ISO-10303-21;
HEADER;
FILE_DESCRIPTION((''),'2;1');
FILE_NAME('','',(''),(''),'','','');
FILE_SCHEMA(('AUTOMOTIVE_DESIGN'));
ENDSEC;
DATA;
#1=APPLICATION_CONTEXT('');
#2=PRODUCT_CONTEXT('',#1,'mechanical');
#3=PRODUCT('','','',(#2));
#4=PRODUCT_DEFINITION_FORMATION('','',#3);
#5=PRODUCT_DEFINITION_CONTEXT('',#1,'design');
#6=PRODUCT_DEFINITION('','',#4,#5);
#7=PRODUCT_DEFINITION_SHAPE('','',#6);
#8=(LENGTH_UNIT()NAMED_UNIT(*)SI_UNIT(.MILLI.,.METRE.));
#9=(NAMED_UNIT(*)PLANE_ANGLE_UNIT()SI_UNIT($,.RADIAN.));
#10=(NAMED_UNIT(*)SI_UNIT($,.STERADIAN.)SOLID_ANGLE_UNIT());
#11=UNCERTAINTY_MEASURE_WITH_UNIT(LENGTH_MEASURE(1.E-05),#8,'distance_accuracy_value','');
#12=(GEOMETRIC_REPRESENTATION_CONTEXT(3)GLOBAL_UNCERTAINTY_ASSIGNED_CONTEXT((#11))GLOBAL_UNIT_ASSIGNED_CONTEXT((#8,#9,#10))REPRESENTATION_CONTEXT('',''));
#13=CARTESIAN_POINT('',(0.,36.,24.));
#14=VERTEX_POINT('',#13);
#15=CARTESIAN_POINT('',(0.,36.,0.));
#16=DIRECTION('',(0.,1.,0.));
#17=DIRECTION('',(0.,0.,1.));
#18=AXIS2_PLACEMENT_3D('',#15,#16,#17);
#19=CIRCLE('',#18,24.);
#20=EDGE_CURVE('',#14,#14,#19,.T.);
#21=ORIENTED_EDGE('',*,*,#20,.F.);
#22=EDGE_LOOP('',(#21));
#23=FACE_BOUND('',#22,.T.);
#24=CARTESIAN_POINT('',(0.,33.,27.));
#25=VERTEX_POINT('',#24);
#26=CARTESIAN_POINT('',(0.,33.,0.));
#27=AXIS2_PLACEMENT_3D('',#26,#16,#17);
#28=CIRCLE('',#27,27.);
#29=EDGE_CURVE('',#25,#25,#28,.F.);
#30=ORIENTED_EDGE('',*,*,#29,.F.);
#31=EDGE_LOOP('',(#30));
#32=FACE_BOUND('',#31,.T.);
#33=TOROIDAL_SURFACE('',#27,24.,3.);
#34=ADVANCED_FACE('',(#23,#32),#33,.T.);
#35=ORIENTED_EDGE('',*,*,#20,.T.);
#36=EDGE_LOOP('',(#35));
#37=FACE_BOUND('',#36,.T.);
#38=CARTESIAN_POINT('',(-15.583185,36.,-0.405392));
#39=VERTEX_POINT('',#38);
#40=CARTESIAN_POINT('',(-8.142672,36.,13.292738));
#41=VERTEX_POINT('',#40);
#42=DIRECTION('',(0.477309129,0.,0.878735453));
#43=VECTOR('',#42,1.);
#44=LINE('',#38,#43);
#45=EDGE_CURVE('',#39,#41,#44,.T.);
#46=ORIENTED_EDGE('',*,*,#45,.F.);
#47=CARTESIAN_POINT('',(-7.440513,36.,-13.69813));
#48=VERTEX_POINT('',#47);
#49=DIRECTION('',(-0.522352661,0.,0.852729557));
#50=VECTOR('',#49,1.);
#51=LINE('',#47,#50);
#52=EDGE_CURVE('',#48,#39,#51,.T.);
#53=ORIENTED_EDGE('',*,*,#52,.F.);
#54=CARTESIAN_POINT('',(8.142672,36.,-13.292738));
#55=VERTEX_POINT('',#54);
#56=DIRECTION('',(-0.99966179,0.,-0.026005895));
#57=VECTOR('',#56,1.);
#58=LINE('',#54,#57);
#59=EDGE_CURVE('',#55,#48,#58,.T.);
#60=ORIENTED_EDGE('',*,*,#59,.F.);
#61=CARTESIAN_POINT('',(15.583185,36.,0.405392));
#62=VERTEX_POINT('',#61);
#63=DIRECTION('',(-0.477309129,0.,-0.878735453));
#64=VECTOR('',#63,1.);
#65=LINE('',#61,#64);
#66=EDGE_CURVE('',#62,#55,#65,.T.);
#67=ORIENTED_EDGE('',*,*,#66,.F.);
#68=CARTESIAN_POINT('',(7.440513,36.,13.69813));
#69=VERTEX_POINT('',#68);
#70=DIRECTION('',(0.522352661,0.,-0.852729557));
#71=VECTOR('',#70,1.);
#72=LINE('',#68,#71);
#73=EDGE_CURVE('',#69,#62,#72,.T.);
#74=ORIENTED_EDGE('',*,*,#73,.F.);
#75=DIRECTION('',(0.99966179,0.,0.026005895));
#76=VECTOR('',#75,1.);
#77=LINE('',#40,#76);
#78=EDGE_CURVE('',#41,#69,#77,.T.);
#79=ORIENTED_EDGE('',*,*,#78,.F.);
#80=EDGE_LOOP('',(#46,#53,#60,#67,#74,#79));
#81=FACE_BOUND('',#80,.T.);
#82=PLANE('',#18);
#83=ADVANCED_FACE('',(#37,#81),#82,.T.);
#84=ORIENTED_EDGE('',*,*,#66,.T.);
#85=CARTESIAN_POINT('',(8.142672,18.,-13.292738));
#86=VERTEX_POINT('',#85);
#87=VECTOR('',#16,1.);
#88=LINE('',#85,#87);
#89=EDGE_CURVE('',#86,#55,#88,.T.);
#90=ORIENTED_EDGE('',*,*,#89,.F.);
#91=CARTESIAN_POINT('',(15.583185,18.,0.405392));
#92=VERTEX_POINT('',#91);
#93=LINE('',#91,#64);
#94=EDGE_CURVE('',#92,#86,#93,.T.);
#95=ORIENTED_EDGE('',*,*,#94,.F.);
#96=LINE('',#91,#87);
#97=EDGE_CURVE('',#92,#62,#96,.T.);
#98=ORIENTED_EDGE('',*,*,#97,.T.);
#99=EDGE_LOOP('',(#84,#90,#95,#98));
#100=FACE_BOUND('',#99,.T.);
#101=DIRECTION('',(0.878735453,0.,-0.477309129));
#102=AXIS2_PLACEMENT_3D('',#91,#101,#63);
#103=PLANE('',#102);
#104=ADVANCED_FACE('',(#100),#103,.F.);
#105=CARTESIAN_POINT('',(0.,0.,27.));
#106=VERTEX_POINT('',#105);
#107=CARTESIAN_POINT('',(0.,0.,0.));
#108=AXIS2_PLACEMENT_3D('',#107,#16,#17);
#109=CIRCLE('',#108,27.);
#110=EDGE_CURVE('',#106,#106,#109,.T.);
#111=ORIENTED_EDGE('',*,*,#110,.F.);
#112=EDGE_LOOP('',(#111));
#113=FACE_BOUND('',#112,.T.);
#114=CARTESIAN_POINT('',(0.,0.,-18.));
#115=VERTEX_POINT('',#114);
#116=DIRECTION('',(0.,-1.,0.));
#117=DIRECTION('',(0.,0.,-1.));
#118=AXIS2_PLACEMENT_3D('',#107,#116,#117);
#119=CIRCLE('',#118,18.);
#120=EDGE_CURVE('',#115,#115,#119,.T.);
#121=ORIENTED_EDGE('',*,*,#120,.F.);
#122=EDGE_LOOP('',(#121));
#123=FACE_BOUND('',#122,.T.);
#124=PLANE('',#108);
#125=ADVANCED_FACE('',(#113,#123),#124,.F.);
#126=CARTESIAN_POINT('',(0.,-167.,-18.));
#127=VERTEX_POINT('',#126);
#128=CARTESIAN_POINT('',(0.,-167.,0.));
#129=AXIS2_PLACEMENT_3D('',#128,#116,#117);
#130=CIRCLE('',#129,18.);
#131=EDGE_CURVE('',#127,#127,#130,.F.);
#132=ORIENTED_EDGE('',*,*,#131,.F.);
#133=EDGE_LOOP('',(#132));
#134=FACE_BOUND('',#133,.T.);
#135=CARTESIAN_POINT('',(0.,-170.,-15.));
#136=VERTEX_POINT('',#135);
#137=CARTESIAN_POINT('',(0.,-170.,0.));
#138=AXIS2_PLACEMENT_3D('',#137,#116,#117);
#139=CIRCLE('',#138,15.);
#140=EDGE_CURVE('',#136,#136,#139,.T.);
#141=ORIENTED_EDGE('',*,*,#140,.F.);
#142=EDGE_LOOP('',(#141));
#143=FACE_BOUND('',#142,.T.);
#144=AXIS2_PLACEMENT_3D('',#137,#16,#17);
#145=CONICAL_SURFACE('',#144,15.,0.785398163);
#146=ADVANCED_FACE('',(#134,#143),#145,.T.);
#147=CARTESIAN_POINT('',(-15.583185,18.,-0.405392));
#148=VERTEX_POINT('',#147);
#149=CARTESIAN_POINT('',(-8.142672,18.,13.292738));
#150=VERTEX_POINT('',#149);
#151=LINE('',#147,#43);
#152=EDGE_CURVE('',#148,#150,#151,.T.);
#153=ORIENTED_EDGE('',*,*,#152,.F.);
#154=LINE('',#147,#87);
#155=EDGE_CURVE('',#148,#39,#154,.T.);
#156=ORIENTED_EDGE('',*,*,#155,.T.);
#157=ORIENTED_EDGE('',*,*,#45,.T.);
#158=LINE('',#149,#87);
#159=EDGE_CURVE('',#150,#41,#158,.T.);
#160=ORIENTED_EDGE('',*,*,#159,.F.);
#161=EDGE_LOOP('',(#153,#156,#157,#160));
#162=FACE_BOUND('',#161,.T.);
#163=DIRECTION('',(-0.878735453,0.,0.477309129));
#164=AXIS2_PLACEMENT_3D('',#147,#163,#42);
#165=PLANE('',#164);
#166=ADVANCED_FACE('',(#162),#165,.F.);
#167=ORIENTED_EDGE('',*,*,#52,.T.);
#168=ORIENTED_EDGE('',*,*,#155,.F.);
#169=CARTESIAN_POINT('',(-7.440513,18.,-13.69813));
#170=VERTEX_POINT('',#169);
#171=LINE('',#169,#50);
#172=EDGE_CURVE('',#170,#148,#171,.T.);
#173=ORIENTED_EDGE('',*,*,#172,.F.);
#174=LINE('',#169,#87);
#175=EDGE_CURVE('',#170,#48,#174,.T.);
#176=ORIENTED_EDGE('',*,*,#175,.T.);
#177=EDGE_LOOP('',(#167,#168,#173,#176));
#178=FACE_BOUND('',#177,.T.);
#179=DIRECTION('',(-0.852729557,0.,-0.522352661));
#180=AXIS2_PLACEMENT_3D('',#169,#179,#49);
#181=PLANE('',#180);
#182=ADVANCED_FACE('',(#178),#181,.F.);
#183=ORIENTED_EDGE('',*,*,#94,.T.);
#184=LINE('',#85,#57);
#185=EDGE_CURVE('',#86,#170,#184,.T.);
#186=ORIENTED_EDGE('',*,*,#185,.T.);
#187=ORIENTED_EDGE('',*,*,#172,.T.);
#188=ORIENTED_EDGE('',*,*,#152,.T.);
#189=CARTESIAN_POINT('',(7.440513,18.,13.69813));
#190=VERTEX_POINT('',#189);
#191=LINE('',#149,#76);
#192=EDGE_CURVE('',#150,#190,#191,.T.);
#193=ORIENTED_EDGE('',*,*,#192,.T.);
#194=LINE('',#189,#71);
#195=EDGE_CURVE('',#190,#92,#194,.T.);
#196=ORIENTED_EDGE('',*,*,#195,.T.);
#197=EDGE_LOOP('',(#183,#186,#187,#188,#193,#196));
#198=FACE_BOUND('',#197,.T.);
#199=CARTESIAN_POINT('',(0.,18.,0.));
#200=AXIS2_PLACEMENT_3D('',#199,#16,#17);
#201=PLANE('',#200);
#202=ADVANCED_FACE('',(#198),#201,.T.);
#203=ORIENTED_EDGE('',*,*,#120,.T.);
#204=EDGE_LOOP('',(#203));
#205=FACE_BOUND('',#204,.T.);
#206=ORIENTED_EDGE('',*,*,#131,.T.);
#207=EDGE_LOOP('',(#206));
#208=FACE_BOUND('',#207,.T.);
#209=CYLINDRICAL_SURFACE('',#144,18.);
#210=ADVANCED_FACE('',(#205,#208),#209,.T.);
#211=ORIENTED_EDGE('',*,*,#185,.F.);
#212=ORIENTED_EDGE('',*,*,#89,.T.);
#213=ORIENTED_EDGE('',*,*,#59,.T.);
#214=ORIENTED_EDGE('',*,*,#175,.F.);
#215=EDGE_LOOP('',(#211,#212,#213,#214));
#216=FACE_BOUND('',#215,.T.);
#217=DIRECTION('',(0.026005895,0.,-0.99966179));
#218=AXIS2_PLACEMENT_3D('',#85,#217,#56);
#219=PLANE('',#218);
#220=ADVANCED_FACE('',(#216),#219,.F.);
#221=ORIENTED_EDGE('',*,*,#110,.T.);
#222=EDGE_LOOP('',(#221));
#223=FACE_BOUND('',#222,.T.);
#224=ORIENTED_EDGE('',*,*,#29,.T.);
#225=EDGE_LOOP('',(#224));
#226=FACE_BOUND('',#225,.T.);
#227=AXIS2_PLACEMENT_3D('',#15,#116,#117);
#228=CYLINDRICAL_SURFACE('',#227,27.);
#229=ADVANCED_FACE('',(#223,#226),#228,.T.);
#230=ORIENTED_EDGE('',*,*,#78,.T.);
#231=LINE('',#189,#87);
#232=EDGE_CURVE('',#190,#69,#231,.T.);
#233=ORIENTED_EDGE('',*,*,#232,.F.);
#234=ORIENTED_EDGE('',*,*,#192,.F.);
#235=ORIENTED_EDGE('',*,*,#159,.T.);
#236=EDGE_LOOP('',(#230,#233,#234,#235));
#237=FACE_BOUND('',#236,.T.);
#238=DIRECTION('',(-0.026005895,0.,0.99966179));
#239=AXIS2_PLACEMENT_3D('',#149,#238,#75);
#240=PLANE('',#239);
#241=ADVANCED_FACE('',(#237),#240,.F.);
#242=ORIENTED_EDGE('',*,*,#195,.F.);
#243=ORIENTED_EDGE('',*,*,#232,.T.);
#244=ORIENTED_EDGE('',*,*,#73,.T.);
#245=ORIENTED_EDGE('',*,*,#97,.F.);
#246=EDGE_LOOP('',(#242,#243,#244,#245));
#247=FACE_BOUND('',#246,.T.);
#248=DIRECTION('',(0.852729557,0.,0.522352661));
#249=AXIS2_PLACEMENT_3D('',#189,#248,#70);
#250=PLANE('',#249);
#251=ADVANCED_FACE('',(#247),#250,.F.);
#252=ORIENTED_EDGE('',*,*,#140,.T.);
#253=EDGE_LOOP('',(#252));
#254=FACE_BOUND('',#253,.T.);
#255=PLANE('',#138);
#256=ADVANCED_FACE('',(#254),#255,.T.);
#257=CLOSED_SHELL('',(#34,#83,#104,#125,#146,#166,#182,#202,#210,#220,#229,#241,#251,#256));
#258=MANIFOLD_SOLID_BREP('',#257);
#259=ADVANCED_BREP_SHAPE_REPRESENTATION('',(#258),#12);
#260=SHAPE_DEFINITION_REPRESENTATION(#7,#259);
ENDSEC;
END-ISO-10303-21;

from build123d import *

# Parameters (mm, degrees)
DIAMETRE_TETE_R     = 27
HAUTEUR_TETE_DEPTH  = 36
CONGE_R             = 3
DIAMETRE_R          = 18
LONGUEUR_DEPTH      = 170
HAUTEUR_6PANS_DEPTH = 18
CHANFREIN_SIZE      = 3


with BuildPart() as part:
    # DIAMETRE_TETE → HAUTEUR_TETE (new body)
    with BuildSketch(Plane(origin=(0, 0, 0), x_dir=(1, 0, 0), z_dir=(0, 1, 0))):
        with Locations(Location((0, 0, 0), (0, 0, 270))):
            Circle(DIAMETRE_TETE_R)
    extrude(amount=HAUTEUR_TETE_DEPTH)

    # CONGE
    conge_edges = [part.edges().sort_by_distance(p)[0] for p in [
        (0, 36, -27),
    ]]
    fillet(conge_edges, radius=CONGE_R)

    # DIAMETRE → LONGUEUR (add)
    with BuildSketch(Plane.XZ):
        with Locations(Location((0, 0, 0), (0, 0, 270))):
            Circle(DIAMETRE_R)
    extrude(amount=LONGUEUR_DEPTH)

    # LARGEUR_6PANS → HAUTEUR_6PANS (cut)
    with BuildSketch(Plane(origin=(0, 36, 0), x_dir=(1, 0, 0), z_dir=(0, 1, 0))):
        Polygon((8.142672131, 13.292738265), (-7.440512958, 13.698130052), (-15.583185088, 0.405391788), (-8.142672131, -13.292738265), (7.440512958, -13.698130052), (15.583185088, -0.405391788), align=None)
    extrude(amount=-HAUTEUR_6PANS_DEPTH, mode=Mode.SUBTRACT)

    # CHANFREIN
    chanfrein_edges = [part.edges().sort_by_distance(p)[0] for p in [
        (0, -170, 18),
    ]]
    chamfer(chanfrein_edges, length=CHANFREIN_SIZE)


solid = part.part
